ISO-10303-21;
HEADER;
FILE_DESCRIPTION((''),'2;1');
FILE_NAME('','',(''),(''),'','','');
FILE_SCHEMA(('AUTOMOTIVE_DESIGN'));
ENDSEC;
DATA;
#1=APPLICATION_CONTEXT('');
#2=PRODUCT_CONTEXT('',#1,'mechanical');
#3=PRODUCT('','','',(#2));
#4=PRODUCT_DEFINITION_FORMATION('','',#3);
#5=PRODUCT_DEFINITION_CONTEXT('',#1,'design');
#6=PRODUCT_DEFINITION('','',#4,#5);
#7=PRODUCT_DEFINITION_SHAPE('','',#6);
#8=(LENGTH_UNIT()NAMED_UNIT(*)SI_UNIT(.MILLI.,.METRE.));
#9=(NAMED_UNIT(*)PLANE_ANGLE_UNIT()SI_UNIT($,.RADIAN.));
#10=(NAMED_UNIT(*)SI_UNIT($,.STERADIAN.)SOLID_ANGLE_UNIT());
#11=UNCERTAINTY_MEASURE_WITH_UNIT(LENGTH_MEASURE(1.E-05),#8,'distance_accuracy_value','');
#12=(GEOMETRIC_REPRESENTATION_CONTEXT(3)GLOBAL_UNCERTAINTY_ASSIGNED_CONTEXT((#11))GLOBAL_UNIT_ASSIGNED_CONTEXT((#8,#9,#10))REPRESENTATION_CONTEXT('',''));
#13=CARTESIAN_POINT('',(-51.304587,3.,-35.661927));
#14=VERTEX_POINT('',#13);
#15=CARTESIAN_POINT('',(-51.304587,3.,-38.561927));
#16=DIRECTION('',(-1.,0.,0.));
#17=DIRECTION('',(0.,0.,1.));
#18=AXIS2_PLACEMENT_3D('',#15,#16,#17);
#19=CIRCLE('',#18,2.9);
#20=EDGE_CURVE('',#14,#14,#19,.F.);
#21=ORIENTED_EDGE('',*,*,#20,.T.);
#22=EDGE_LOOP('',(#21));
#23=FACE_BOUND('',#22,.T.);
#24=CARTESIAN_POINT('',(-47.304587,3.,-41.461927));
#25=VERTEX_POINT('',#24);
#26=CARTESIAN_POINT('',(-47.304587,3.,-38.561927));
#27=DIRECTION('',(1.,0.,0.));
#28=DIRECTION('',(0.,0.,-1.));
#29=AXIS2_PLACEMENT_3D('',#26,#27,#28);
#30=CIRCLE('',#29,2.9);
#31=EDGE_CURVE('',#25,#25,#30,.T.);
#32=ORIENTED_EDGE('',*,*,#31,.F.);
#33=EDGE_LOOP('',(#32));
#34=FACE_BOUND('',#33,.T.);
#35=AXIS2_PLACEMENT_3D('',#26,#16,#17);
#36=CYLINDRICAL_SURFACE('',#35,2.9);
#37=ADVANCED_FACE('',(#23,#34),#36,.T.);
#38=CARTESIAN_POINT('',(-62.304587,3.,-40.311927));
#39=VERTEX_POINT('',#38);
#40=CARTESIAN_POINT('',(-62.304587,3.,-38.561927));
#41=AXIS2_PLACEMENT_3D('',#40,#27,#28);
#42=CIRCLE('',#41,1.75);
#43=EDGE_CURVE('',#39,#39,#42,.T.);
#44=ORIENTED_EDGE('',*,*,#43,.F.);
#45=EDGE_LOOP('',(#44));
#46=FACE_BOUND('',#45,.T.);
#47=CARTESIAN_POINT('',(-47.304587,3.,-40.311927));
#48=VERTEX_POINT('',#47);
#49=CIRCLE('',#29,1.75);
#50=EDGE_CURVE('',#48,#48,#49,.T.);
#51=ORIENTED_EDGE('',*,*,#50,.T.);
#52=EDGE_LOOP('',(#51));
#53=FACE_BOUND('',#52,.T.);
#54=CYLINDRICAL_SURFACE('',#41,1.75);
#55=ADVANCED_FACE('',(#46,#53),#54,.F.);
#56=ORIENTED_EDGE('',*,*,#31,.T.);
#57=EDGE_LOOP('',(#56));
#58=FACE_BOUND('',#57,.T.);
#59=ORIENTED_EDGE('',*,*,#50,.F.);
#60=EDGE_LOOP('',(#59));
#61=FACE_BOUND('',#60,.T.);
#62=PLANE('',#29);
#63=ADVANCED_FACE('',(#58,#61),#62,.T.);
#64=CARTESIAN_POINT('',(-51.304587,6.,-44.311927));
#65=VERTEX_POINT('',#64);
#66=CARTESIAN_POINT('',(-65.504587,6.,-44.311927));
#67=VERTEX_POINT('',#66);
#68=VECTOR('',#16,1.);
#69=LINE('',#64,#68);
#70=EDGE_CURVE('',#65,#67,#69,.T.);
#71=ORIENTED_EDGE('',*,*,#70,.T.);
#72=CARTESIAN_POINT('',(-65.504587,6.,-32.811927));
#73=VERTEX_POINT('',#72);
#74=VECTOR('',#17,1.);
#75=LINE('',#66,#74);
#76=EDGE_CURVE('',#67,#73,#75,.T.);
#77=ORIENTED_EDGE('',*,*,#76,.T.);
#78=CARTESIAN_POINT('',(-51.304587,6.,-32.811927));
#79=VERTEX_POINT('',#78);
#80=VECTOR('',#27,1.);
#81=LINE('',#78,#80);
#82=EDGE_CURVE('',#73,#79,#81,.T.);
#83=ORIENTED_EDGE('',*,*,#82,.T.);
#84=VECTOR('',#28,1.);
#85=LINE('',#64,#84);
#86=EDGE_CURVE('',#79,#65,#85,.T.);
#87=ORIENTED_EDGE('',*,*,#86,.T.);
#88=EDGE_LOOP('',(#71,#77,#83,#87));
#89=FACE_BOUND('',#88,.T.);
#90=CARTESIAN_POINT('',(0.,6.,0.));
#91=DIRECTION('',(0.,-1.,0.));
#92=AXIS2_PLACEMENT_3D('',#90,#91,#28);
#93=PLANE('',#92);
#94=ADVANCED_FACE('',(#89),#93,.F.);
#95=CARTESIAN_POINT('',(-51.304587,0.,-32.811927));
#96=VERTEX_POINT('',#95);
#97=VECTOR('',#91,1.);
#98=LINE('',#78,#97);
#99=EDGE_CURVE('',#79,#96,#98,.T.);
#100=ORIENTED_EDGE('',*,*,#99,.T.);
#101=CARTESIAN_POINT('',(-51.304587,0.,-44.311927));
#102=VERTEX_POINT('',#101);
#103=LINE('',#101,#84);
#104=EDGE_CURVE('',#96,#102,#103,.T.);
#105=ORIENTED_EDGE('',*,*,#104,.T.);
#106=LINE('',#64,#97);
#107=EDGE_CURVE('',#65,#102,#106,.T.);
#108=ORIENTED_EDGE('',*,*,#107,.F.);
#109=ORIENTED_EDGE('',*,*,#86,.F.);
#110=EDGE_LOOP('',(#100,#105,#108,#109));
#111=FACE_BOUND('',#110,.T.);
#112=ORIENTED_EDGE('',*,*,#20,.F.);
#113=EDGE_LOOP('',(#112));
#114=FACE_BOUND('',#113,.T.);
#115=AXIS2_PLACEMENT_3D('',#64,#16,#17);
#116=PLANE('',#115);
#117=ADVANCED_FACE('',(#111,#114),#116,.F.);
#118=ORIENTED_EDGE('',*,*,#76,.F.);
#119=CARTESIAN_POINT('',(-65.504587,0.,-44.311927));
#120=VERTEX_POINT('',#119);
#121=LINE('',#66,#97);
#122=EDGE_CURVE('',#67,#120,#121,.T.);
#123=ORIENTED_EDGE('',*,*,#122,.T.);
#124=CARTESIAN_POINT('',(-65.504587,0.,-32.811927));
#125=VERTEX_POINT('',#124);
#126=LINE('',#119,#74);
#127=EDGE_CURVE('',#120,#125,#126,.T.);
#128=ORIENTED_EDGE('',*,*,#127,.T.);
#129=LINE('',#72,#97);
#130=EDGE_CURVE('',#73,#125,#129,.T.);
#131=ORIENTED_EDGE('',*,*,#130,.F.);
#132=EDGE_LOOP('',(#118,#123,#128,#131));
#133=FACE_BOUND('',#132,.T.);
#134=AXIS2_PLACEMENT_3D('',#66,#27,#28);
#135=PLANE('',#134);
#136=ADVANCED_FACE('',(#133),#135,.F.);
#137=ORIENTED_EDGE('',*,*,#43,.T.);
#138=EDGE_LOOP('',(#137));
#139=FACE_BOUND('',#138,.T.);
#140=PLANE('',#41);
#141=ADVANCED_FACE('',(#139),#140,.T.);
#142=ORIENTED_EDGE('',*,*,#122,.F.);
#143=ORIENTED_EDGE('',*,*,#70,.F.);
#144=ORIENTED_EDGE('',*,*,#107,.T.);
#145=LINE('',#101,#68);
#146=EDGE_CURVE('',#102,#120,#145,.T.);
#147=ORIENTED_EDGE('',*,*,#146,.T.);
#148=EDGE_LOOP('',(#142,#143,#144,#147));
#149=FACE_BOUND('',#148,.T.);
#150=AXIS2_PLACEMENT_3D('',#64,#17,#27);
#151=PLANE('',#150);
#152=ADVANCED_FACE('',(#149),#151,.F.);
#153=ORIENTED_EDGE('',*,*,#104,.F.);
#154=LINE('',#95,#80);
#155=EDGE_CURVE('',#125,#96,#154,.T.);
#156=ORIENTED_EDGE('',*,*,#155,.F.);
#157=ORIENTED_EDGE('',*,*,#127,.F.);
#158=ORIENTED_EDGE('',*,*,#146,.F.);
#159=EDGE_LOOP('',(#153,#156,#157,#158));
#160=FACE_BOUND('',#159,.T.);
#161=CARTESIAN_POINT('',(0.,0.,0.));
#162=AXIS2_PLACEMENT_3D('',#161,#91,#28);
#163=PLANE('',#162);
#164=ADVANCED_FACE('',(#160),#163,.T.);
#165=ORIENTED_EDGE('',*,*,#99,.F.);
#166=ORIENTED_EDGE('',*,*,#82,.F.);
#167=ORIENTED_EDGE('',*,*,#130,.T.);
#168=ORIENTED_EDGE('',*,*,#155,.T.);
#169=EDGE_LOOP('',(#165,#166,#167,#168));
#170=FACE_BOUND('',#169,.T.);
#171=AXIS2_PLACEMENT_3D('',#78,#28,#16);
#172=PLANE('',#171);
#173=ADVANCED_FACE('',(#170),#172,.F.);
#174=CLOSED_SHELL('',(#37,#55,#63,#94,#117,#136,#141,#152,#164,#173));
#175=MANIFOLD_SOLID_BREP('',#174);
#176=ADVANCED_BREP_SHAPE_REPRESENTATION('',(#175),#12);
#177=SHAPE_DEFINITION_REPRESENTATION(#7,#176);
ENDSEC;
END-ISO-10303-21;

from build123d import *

# Parameters (mm, degrees)
SKETCH1_W           = 14.2
SKETCH1_H           = 11.5
BOSS_EXTRUDE1_DEPTH = 6
SKETCH2_R           = 2.9
BOSS_EXTRUDE2_DEPTH = 4
SKETCH3_R           = 1.75
CUT_EXTRUDE1_DEPTH  = 15


with BuildPart() as part:
    # Sketch1 → Boss-Extrude1 (new body)
    with BuildSketch(Plane(origin=(0, 0, 0), x_dir=(1, 0, 0), z_dir=(0, 1, 0))):
        with Locations((-58.404587156, 38.561926606)):
            Rectangle(SKETCH1_W, SKETCH1_H)
    extrude(amount=BOSS_EXTRUDE1_DEPTH)

    # Sketch2 → Boss-Extrude2 (add)
    with BuildSketch(Plane(origin=(-51.304587156, 0, 0), x_dir=(0, 0, -1), z_dir=(1, 0, 0))):
        with Locations(Location((38.561926606, 3, 0), (0, 0, 180))):
            Circle(SKETCH2_R)
    extrude(amount=BOSS_EXTRUDE2_DEPTH)

    # Sketch3 → Cut-Extrude1 (cut)
    with BuildSketch(Plane(origin=(-47.304587156, 0, 0), x_dir=(0, 0, -1), z_dir=(1, 0, 0))):
        with Locations((38.561926606, 3)):
            Circle(SKETCH3_R)
    extrude(amount=-CUT_EXTRUDE1_DEPTH, mode=Mode.SUBTRACT)


solid = part.part
